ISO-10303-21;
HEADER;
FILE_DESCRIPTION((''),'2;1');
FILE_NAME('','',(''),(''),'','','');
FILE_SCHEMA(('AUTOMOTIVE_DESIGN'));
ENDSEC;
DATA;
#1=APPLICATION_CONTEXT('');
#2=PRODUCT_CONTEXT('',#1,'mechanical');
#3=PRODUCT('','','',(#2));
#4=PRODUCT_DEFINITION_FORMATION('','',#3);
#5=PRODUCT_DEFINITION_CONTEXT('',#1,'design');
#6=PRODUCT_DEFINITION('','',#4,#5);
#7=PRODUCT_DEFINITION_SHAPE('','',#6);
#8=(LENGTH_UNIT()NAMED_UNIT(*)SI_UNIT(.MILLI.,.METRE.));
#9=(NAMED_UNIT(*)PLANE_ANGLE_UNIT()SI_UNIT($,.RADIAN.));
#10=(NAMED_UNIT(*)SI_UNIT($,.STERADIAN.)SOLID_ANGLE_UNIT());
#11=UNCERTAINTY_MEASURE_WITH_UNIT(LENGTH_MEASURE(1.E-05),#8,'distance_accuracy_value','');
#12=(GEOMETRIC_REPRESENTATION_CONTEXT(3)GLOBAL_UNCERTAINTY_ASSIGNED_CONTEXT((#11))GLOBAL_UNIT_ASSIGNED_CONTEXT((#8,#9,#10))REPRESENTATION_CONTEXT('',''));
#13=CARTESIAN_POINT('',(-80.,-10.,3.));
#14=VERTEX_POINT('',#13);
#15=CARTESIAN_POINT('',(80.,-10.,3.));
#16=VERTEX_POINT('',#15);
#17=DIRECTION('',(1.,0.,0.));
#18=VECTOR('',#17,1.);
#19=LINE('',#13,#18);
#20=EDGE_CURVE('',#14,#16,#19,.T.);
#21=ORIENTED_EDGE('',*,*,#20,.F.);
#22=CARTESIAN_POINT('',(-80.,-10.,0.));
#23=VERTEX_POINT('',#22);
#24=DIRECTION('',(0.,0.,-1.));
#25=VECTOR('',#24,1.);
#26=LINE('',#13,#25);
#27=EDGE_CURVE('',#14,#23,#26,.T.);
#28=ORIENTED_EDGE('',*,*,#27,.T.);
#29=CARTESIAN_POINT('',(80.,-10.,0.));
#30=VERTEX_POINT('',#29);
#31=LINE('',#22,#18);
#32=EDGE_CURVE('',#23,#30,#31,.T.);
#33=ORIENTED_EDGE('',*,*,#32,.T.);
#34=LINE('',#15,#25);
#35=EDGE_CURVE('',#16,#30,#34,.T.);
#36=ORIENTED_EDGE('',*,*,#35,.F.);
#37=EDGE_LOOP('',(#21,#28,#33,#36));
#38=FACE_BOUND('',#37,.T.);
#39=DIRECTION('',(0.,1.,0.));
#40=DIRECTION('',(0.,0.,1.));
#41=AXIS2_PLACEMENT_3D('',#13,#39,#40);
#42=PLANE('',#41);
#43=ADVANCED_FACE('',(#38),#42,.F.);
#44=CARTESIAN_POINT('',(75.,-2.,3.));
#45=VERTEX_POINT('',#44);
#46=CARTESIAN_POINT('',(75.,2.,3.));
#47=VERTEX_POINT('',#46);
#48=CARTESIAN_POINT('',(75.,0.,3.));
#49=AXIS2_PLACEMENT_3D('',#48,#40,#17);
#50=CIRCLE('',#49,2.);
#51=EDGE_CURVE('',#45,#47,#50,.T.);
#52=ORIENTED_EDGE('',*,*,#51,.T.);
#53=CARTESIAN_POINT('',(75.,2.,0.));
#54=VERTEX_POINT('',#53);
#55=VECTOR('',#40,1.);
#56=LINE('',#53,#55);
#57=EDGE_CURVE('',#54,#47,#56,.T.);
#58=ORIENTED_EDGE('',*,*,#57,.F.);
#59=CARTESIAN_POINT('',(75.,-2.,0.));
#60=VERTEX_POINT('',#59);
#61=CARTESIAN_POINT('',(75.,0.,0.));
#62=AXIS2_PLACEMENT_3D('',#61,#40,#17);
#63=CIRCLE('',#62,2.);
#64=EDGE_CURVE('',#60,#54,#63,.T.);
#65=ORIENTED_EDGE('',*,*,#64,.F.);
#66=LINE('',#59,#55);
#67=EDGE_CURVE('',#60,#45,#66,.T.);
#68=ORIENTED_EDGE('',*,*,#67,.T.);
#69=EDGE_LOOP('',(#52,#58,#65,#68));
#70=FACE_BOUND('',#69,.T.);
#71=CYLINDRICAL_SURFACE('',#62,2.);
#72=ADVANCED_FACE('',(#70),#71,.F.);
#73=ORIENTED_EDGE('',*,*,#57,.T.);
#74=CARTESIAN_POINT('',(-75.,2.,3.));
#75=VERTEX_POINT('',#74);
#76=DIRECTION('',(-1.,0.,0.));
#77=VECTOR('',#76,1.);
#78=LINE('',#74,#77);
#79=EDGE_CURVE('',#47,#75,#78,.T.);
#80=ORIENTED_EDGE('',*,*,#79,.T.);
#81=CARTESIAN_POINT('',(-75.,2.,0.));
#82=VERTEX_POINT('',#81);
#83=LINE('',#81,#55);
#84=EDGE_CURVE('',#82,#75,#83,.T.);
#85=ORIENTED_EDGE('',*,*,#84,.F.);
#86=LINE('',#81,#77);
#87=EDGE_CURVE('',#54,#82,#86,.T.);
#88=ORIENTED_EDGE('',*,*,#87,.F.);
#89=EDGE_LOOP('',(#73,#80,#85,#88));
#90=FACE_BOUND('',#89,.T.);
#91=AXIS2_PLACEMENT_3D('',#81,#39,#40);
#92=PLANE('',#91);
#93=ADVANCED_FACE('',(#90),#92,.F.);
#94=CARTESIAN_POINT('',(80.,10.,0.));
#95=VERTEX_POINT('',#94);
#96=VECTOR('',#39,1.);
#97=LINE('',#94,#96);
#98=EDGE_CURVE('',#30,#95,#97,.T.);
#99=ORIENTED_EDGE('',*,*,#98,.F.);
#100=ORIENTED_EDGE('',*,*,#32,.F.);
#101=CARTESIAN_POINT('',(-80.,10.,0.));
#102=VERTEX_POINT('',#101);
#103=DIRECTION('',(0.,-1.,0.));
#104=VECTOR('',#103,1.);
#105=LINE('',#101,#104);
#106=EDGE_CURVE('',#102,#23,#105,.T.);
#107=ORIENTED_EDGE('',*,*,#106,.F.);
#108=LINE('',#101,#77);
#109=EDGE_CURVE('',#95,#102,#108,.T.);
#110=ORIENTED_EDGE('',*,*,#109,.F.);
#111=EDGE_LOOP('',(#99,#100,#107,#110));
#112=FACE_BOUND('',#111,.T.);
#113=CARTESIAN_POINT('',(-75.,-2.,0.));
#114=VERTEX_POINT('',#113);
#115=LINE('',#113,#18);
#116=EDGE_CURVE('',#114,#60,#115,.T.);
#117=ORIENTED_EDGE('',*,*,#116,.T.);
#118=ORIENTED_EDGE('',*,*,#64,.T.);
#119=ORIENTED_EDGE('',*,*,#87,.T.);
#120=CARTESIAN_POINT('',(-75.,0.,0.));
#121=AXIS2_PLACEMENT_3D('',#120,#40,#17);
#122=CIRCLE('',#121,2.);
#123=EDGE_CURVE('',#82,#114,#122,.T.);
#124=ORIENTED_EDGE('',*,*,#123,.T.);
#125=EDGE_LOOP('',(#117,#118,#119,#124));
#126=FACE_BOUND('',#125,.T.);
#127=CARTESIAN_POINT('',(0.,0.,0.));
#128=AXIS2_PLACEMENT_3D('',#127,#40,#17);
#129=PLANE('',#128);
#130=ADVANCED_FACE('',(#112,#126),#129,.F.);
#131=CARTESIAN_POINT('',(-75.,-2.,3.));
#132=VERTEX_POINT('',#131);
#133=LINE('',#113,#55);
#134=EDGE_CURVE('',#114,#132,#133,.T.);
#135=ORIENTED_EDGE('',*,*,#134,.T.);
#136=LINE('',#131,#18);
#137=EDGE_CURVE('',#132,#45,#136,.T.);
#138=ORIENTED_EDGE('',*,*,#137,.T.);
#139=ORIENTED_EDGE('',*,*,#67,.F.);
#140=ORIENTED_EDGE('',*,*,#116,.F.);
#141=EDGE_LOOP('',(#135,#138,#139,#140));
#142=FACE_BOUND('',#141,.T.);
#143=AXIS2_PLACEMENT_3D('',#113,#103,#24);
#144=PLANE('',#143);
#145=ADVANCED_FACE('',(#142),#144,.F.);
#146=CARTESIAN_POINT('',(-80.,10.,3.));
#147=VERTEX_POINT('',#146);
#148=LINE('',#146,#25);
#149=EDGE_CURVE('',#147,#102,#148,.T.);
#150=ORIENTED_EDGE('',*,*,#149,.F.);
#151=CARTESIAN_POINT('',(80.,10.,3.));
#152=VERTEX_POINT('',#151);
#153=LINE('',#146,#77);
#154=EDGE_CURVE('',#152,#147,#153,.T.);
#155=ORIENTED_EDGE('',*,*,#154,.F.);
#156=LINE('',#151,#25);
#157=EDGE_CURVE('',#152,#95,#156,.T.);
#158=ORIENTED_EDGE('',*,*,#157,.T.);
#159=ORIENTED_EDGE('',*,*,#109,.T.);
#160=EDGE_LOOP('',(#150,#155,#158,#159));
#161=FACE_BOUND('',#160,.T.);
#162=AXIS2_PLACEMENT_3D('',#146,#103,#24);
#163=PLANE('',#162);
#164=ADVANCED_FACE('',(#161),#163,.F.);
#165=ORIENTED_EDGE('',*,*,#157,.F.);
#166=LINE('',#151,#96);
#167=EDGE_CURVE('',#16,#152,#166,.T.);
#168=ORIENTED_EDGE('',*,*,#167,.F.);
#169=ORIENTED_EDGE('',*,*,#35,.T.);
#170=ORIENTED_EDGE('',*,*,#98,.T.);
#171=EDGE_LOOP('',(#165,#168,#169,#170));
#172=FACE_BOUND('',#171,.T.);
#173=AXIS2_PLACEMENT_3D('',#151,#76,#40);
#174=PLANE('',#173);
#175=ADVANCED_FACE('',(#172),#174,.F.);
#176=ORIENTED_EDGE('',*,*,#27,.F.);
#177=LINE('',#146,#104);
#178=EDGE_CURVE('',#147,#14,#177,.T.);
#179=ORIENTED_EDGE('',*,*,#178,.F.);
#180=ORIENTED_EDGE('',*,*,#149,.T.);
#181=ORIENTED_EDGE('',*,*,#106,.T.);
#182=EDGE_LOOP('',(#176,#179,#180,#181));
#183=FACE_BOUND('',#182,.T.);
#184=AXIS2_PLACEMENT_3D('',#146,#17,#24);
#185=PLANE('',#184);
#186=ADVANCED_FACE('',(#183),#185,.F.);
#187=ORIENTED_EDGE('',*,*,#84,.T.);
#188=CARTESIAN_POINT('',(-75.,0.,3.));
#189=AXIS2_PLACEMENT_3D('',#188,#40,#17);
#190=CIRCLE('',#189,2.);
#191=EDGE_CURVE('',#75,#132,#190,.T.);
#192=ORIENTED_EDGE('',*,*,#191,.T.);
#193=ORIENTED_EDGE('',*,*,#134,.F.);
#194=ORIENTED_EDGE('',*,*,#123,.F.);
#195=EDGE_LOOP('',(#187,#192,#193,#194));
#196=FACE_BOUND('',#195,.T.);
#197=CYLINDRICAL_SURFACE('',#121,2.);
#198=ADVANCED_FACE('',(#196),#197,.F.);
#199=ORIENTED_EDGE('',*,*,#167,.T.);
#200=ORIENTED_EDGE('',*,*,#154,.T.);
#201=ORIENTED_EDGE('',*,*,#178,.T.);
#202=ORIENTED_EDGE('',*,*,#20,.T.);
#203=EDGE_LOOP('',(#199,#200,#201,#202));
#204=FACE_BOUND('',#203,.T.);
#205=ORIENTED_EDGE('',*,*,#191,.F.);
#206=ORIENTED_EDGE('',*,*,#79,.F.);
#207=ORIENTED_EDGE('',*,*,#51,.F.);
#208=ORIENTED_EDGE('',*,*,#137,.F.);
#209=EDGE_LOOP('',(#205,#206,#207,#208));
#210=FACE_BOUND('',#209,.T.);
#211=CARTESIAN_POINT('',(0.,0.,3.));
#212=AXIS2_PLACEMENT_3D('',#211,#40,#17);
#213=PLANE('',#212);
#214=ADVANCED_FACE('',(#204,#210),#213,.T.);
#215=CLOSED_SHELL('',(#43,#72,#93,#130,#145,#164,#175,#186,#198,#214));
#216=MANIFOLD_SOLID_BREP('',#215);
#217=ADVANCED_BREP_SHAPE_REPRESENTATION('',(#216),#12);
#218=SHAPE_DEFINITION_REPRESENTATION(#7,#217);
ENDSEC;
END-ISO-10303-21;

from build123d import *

# Parameters (mm, degrees)
SKETCH1_W           = 160
SKETCH1_H           = 20
BOSS_EXTRUDE1_DEPTH = 3
CUT_EXTRUDE1_DEPTH  = 3


with BuildPart() as part:
    # Sketch1 → Boss-Extrude1 (new body)
    with BuildSketch(Plane.XY):
        Rectangle(SKETCH1_W, SKETCH1_H)
    extrude(amount=BOSS_EXTRUDE1_DEPTH)

    # Sketch2 → Cut-Extrude1 (cut)
    with BuildSketch(Plane.XY.offset(3)):
        with BuildLine():
            Line((-75, 2), (75, 2))
            ThreePointArc((75, 2), (77, 0), (75, -2))
            Line((75, -2), (-75, -2))
            ThreePointArc((-75, -2), (-77, 0), (-75, 2))
        make_face()
    extrude(amount=-CUT_EXTRUDE1_DEPTH, mode=Mode.SUBTRACT)


solid = part.part
